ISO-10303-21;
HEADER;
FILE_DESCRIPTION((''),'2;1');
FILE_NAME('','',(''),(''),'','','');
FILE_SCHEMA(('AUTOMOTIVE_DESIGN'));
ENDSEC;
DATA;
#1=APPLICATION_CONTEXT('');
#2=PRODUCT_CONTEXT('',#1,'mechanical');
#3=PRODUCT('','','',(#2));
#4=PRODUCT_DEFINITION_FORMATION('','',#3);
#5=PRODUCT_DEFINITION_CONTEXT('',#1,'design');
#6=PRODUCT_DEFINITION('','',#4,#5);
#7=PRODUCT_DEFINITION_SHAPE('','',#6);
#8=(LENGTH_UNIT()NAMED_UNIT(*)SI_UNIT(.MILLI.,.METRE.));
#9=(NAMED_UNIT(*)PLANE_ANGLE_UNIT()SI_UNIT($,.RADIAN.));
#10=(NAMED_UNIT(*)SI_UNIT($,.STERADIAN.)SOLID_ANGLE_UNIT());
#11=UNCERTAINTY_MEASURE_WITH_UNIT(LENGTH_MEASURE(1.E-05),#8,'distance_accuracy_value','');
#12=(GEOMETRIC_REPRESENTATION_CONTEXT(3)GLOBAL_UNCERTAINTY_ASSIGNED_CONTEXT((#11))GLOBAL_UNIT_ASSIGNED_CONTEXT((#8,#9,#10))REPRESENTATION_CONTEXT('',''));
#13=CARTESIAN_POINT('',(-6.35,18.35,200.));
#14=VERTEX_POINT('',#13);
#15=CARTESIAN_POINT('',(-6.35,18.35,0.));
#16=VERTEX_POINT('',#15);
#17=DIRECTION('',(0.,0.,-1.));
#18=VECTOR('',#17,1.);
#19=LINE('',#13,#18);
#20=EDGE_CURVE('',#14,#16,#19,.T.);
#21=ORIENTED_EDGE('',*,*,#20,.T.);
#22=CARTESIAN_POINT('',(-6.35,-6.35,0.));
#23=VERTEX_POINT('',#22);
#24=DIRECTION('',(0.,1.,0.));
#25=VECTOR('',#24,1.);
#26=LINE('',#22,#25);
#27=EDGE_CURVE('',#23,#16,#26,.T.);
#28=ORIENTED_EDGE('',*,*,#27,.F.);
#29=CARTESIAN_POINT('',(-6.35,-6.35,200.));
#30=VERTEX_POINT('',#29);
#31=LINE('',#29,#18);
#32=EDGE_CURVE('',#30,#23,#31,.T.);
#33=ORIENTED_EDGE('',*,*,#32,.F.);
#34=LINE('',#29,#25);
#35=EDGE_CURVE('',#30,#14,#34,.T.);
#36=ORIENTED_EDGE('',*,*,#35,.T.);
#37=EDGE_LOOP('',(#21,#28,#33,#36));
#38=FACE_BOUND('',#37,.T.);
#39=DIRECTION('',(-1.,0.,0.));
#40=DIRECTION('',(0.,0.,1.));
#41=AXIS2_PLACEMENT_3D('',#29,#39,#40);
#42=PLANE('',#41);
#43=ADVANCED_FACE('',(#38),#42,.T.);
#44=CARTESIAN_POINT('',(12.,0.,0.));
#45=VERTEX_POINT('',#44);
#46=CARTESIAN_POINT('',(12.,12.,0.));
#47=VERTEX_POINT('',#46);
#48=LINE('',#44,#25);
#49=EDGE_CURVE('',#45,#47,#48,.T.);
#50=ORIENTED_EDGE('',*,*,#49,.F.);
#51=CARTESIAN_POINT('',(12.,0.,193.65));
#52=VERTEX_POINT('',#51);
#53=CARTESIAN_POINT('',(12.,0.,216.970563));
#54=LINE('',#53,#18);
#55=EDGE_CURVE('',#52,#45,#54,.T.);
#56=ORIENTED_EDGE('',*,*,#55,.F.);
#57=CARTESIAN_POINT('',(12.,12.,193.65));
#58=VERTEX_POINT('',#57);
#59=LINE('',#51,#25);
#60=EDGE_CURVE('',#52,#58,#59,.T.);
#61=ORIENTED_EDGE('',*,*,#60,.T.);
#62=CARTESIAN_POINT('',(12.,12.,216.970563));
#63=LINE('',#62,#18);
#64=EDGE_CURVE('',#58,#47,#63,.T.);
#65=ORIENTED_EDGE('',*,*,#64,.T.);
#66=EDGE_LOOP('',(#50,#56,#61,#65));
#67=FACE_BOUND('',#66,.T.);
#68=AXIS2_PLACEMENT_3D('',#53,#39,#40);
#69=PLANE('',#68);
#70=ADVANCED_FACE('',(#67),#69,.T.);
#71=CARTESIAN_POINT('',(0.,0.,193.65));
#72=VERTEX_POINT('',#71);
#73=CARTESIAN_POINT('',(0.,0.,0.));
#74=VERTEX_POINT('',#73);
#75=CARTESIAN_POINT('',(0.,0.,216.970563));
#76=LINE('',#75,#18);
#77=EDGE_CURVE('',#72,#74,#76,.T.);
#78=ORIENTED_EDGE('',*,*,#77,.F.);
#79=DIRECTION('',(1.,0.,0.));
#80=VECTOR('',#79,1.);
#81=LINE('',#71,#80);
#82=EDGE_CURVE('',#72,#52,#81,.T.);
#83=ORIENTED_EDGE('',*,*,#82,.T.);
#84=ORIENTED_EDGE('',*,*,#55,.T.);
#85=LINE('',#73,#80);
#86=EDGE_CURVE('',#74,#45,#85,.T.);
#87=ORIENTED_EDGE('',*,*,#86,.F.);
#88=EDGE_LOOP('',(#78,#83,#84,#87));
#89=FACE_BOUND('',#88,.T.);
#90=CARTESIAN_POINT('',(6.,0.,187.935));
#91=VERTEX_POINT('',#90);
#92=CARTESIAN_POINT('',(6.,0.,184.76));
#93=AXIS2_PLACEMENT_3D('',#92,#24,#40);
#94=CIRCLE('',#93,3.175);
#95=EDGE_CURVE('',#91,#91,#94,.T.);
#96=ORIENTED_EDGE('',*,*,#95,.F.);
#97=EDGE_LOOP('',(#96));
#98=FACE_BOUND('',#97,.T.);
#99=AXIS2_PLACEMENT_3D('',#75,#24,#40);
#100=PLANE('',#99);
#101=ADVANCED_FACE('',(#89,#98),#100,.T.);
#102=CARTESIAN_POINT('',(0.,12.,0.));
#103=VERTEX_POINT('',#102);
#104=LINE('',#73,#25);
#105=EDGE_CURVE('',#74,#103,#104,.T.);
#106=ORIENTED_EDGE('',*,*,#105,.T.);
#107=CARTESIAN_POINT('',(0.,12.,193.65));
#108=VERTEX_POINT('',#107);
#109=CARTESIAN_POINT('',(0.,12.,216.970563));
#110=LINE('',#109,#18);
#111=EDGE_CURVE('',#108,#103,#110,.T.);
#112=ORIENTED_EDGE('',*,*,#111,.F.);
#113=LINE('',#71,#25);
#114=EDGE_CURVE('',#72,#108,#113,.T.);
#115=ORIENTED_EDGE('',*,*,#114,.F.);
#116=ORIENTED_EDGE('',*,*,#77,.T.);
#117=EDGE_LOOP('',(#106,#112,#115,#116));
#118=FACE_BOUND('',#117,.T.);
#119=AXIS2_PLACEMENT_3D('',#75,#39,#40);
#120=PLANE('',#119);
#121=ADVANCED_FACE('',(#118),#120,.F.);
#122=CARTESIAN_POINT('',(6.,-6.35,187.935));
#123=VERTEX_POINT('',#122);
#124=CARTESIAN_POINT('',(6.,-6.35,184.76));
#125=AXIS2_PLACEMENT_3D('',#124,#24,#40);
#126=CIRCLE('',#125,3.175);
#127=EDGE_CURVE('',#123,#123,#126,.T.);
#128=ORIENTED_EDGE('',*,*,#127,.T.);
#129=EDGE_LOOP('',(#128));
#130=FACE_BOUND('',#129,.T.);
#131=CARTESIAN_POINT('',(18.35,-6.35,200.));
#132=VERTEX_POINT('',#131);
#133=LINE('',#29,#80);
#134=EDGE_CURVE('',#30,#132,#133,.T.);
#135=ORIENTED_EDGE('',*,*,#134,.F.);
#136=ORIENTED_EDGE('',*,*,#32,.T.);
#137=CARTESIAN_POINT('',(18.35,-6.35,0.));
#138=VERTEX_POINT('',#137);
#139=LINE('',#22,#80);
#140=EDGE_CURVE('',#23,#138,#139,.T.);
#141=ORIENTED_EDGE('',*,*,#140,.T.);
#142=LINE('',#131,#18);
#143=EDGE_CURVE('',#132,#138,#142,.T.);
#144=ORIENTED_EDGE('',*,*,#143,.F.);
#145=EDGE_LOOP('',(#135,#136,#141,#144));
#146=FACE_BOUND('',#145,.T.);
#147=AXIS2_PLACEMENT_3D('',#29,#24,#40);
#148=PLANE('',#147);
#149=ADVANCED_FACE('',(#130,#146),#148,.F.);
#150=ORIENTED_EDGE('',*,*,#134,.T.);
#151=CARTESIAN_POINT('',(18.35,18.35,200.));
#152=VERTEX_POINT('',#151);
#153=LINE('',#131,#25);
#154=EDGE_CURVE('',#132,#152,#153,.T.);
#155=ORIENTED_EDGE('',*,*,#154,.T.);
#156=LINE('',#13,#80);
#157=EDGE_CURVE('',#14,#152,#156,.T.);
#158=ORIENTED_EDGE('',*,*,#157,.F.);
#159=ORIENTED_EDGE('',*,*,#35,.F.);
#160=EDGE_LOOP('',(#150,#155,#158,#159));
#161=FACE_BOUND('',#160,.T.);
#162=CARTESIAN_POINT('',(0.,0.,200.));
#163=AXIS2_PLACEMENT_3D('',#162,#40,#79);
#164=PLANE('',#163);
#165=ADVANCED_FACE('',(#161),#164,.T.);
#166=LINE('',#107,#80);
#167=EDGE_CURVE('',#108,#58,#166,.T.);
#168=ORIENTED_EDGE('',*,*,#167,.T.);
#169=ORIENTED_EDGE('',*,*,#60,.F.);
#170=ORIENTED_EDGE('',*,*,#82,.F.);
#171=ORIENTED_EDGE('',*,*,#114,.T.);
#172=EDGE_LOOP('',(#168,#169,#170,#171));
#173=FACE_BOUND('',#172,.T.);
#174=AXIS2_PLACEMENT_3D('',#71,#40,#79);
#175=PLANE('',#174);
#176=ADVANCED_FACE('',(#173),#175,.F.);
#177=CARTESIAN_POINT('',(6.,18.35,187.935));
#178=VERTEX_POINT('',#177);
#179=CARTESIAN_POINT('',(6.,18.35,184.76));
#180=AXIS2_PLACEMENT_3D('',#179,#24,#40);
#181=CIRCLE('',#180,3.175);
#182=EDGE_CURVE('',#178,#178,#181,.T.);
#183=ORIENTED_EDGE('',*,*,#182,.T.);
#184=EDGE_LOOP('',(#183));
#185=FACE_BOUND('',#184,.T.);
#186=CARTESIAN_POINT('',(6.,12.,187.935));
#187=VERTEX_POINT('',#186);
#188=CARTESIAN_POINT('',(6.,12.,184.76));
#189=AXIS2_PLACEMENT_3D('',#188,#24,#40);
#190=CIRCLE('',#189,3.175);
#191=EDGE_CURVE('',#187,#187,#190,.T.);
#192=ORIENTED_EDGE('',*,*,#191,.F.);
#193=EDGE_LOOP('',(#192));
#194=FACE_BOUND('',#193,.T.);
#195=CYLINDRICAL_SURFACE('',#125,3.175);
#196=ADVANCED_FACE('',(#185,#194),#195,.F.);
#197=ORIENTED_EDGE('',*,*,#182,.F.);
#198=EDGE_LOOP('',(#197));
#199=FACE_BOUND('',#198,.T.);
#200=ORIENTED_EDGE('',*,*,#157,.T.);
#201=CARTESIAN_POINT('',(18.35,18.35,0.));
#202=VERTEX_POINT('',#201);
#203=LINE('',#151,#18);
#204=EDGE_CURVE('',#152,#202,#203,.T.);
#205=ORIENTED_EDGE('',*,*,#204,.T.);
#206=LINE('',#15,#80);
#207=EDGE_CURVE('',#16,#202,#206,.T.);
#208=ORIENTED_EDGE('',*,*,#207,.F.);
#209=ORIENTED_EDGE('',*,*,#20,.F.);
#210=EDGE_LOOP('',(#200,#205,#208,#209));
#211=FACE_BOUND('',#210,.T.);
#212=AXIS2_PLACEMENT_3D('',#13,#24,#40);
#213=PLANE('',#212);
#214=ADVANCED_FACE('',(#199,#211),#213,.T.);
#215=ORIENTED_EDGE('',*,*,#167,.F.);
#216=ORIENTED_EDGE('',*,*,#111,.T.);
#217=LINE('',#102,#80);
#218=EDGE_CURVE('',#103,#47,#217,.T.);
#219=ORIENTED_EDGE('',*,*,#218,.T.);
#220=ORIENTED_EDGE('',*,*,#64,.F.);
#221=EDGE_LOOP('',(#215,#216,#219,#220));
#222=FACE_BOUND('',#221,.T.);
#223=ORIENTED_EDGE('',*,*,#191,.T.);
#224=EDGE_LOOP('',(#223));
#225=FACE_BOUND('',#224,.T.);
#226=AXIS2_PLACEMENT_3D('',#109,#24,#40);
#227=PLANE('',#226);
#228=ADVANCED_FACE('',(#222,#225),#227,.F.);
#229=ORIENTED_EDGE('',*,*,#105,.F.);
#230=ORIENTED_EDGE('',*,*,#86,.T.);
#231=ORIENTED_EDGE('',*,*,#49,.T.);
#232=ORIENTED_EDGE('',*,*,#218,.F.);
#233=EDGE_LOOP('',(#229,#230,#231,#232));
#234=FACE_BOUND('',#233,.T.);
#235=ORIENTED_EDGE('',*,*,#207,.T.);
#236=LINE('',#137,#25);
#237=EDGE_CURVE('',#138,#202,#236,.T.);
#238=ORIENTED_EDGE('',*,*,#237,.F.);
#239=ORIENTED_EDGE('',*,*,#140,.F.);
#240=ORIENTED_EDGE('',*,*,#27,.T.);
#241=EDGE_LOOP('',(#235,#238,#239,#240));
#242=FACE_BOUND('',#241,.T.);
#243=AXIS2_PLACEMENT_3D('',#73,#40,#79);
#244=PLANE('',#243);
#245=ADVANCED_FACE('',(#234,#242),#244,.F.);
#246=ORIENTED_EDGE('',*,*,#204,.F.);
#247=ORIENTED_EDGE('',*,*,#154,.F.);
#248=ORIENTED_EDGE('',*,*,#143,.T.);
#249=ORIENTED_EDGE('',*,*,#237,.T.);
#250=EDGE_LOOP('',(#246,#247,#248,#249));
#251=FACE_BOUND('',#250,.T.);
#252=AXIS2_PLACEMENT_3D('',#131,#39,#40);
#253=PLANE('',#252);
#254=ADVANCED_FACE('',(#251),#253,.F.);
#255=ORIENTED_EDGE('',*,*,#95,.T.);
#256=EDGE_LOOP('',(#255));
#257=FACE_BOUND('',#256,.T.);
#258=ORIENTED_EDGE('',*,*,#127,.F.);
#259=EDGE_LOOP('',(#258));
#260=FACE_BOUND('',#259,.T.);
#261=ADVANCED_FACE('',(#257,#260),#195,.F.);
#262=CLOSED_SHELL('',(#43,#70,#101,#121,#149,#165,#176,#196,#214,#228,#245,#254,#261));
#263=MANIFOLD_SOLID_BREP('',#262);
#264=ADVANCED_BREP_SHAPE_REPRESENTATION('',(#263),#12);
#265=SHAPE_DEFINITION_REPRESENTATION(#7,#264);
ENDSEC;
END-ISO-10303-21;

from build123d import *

# Parameters (mm, degrees)
SKETCH1_W           = 24.7
SKETCH1_H           = 24.7
BOSS_EXTRUDE1_DEPTH = 200
SKETCH1_4_W         = 12
SKETCH1_4_H         = 12
CUT_EXTRUDE1_DEPTH  = 193.65
SKETCH2_R           = 3.175
CUT_EXTRUDE2_DEPTH  = 203.353187521


with BuildPart() as part:
    # Sketch1 → Boss-Extrude1 (new body)
    with BuildSketch(Plane.XY):
        with Locations((6, 6)):
            Rectangle(SKETCH1_W, SKETCH1_H)
    extrude(amount=BOSS_EXTRUDE1_DEPTH)

    # Sketch1<4> → Cut-Extrude1 (cut)
    with BuildSketch(Plane.XY):
        with Locations((6, 6)):
            Rectangle(SKETCH1_4_W, SKETCH1_4_H)
    extrude(amount=CUT_EXTRUDE1_DEPTH, mode=Mode.SUBTRACT)

    # Sketch2 → Cut-Extrude2 (cut, through all)
    with BuildSketch(Plane(origin=(0, 18.35, 0), x_dir=(1, 0, 0), z_dir=(0, 1, 0))):
        with Locations(Location((6, -184.76, 0), (0, 0, 270))):
            Circle(SKETCH2_R)
    extrude(amount=-CUT_EXTRUDE2_DEPTH, mode=Mode.SUBTRACT)


solid = part.part
